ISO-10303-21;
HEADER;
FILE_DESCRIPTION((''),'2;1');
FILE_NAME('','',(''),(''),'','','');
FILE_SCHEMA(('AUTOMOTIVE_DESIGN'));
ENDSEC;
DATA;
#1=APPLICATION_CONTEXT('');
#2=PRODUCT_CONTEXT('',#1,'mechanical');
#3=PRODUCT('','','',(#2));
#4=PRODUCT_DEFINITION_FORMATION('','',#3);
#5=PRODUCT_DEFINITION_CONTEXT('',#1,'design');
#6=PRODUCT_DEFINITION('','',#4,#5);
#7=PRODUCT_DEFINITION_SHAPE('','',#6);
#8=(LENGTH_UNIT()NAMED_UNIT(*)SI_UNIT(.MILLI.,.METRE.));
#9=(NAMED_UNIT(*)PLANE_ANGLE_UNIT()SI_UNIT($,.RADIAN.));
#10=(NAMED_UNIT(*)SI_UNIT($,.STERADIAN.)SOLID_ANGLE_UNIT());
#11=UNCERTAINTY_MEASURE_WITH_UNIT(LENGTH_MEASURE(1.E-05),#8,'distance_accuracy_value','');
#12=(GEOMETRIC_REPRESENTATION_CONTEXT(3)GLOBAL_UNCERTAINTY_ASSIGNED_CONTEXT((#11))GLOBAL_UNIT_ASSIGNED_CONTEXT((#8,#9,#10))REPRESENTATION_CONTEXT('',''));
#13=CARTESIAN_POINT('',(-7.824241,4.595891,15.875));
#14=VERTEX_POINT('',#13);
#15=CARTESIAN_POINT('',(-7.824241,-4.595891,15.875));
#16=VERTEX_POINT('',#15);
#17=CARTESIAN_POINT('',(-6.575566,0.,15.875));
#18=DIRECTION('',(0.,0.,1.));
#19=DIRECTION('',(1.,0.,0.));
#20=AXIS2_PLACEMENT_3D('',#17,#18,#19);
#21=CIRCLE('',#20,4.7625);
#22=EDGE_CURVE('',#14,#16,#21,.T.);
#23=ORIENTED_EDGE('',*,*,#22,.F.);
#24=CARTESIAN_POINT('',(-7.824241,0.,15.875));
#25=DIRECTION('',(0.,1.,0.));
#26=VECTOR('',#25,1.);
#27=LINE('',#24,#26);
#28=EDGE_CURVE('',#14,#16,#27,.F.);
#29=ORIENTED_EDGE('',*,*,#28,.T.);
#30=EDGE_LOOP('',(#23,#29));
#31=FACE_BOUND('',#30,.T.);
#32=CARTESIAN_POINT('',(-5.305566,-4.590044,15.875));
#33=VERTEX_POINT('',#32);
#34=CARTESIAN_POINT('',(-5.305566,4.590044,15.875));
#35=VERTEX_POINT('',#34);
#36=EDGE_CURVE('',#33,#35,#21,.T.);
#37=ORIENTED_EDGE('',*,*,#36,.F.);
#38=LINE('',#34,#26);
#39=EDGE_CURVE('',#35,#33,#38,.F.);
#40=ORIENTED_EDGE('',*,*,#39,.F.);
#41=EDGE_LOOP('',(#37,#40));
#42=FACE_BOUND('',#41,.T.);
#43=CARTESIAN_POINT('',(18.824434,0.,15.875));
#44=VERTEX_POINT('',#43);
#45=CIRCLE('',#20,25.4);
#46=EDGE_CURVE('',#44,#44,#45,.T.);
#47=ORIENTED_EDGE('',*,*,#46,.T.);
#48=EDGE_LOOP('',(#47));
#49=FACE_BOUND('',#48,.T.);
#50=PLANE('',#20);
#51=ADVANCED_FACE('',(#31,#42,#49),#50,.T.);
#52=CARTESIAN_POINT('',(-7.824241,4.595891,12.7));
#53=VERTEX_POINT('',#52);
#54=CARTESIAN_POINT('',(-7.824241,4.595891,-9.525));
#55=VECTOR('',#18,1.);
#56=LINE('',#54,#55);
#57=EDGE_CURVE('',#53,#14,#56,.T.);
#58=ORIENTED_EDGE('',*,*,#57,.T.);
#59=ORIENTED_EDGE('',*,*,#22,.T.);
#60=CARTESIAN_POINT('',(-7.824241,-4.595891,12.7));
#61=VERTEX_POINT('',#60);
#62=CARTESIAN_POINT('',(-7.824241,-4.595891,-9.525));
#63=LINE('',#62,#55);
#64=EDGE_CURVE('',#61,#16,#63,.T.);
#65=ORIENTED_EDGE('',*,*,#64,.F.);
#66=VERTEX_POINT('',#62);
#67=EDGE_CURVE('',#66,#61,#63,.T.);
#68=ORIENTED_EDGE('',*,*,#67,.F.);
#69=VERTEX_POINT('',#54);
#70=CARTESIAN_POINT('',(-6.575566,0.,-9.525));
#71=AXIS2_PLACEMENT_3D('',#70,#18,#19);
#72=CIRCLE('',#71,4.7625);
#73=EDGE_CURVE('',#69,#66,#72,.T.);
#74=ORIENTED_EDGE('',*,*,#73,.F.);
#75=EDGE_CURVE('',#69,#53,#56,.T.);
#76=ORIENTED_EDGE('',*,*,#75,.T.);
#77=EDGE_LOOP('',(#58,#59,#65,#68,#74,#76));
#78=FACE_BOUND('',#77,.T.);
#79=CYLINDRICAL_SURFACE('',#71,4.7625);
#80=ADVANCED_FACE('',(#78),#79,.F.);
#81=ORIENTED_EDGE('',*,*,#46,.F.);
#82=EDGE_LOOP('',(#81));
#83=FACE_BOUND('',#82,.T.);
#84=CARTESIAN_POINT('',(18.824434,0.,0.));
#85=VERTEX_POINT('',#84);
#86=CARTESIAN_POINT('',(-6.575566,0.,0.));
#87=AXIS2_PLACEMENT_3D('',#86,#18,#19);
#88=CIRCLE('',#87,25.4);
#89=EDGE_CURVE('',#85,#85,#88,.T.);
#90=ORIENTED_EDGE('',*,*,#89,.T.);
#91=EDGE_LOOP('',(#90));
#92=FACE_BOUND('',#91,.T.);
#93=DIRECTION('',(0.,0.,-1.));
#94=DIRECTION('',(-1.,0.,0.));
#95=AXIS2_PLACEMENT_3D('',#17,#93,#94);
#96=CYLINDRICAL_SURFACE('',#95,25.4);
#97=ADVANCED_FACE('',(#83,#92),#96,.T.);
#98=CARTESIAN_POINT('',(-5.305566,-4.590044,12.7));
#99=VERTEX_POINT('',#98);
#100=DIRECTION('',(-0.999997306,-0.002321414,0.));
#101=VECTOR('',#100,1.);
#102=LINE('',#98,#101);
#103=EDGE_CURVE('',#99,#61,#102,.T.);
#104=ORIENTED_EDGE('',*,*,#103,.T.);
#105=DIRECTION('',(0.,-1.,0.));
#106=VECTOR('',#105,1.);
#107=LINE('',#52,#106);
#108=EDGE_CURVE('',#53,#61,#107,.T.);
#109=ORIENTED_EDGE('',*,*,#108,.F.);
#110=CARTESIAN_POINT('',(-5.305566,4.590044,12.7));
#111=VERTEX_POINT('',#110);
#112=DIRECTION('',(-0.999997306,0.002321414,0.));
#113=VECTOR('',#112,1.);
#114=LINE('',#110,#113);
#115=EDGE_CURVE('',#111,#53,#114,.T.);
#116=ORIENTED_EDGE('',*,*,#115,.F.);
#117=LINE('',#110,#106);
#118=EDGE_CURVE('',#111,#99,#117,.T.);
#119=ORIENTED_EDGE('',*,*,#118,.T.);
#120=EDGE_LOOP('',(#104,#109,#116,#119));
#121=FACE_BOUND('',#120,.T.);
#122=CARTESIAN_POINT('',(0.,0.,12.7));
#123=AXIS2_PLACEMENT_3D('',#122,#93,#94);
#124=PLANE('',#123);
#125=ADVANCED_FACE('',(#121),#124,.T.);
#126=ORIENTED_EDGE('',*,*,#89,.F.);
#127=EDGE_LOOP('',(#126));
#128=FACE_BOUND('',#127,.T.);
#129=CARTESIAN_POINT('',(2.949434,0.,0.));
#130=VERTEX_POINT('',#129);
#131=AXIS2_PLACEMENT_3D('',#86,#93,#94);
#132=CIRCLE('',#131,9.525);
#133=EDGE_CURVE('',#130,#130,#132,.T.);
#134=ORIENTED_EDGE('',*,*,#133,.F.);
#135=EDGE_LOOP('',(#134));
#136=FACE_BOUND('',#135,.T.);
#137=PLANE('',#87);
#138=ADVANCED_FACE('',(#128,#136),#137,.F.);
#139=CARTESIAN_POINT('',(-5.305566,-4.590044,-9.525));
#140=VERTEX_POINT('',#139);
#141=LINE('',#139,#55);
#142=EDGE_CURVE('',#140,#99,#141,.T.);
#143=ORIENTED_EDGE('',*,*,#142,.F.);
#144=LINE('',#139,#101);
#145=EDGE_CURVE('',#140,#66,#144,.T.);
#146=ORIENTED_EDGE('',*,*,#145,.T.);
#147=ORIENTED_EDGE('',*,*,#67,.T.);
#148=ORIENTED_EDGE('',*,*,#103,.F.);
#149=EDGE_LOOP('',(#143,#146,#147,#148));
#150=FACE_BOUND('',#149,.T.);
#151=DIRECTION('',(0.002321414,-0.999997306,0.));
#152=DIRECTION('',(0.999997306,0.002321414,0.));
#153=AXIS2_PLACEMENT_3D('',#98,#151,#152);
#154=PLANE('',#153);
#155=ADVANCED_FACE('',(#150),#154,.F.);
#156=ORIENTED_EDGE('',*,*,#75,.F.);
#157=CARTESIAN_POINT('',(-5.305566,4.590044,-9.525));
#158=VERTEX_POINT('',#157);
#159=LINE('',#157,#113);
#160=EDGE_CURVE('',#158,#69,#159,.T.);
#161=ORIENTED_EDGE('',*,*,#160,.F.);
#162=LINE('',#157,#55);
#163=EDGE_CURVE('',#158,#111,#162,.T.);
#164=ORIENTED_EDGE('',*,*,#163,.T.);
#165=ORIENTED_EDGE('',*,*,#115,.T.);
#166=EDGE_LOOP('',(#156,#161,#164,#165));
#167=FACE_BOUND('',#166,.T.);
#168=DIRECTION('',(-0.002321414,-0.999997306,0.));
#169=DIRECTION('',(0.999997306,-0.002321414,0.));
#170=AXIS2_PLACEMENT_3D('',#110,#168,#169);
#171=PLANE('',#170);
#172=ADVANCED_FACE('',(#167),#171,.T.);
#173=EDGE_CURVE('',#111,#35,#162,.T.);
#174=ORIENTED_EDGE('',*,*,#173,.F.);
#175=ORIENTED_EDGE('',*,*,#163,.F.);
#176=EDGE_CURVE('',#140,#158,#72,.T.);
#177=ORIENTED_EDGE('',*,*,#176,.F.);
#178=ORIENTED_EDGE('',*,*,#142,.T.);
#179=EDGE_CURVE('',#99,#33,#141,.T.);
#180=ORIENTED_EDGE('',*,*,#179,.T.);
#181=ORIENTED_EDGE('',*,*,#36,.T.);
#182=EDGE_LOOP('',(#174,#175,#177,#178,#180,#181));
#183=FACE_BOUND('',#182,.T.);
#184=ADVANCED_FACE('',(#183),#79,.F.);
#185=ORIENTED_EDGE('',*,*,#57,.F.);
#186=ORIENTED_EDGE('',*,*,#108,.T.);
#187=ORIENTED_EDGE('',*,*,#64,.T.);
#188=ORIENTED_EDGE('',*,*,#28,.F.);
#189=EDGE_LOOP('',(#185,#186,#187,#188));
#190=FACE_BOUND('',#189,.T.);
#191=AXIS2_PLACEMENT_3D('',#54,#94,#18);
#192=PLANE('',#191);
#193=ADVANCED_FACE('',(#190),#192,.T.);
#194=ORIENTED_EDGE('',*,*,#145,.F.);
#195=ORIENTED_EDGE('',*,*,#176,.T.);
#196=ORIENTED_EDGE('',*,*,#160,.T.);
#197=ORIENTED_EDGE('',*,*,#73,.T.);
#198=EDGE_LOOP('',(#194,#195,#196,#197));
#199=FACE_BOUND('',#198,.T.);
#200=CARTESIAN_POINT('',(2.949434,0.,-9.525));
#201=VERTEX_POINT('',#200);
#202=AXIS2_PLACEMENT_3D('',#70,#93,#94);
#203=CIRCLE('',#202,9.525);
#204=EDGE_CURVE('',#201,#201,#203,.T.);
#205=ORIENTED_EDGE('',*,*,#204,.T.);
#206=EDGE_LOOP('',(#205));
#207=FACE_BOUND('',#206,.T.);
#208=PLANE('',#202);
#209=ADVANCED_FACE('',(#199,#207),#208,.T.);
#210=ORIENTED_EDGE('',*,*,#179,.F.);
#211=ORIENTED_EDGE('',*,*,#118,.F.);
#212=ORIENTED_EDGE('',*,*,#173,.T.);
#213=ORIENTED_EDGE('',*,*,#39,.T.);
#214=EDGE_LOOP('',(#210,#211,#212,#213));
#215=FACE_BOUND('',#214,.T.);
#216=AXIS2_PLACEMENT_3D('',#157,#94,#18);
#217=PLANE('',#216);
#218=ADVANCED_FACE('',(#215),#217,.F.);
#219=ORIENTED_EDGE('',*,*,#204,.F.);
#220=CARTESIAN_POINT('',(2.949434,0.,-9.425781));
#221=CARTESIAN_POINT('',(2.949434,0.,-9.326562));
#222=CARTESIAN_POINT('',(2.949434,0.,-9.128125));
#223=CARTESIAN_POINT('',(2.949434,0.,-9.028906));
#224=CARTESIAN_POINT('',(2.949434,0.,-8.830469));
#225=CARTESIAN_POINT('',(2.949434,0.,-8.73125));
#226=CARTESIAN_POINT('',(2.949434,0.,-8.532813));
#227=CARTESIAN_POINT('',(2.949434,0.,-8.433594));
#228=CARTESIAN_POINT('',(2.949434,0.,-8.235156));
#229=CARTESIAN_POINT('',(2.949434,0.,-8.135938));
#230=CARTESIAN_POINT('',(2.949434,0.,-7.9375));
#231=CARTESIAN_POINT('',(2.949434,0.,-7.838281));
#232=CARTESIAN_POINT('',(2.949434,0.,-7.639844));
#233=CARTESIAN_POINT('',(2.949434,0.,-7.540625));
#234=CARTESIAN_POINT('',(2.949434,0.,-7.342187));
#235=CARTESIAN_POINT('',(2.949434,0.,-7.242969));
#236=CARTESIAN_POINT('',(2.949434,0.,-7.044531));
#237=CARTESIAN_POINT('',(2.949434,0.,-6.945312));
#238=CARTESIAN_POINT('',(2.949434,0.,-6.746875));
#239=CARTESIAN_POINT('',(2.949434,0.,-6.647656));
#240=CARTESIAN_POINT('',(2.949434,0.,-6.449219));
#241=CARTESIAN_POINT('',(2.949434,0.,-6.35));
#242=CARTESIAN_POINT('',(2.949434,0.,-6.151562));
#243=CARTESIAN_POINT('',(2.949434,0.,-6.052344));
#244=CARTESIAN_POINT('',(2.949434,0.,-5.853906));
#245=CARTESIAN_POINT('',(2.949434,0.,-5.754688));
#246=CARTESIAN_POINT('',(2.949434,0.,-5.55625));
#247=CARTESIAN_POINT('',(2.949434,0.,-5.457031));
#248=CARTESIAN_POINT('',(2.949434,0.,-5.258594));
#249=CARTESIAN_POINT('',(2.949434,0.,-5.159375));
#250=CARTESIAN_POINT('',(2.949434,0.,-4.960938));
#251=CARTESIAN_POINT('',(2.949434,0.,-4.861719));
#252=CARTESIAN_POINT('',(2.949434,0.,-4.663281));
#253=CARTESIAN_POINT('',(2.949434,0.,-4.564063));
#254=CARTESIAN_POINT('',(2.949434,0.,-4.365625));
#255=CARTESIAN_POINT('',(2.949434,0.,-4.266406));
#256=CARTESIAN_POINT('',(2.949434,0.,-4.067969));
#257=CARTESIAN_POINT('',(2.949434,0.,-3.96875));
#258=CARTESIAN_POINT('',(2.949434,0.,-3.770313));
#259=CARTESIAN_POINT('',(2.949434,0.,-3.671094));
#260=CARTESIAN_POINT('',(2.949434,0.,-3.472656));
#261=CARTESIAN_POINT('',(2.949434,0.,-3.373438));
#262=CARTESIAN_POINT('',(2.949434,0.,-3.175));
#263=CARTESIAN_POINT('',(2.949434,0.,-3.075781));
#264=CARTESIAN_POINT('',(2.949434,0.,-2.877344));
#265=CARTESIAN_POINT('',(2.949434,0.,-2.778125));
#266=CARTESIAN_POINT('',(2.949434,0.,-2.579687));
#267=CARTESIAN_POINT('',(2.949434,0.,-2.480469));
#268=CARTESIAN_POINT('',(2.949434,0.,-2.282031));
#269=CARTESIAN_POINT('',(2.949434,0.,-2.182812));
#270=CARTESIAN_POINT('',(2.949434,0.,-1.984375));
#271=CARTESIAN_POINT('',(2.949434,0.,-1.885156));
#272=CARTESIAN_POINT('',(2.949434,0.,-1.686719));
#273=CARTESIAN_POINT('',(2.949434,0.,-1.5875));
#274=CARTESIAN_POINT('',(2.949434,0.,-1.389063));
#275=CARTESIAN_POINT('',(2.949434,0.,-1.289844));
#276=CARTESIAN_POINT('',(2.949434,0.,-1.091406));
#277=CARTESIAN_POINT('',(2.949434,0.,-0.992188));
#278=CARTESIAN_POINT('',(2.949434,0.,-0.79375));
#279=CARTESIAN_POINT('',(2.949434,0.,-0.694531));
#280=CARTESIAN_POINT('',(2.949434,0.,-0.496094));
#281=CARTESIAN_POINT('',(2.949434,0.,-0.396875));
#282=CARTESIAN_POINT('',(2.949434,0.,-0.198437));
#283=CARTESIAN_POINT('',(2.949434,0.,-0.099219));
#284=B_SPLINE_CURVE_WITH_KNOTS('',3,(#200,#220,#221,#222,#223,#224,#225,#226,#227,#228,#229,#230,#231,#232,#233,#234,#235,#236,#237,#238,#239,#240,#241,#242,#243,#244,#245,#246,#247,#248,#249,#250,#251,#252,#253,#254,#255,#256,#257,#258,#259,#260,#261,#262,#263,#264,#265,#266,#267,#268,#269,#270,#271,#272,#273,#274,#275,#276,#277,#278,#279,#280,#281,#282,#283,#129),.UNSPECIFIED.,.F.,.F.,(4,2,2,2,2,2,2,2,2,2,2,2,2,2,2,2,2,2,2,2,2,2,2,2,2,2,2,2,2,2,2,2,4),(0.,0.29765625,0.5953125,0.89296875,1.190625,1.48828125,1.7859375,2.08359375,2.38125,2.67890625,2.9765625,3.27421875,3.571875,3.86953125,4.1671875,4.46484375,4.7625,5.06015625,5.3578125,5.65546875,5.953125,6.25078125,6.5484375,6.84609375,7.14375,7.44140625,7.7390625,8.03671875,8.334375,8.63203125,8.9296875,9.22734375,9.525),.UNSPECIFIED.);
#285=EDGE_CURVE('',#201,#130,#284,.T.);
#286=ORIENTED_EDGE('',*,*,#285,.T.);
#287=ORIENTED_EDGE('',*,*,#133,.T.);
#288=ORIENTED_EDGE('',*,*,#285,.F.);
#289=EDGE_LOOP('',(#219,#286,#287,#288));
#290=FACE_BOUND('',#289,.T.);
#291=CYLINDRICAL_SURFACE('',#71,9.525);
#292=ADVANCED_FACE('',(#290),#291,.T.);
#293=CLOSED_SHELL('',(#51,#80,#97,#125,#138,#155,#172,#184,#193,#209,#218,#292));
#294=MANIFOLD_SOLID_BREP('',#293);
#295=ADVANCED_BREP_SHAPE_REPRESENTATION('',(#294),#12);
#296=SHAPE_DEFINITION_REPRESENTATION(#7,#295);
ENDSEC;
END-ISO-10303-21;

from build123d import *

# Parameters (mm, degrees)
SKETCH1_R               = 25.4
BOSS_EXTRUDE1_DEPTH     = 15.875
SKETCH6_R               = 9.525
BOSS_EXTRUDE3_DEPTH     = 9.525
CUT_EXTRUDE3_DEPTH      = 49.09113031
CUT_EXTRUDE3_DEPTH_BACK = 49.09113031
CUT_EXTRUDE5_DEPTH      = 22.225


with BuildPart() as part:
    # Sketch1 → Boss-Extrude1 (new body)
    with BuildSketch(Plane.XY):
        with Locations((-6.575565897, 0)):
            Circle(SKETCH1_R)
    extrude(amount=BOSS_EXTRUDE1_DEPTH)

    # Sketch6 → Boss-Extrude3 (add)
    with BuildSketch(Plane(origin=(0, 0, 0), x_dir=(-1, 0, 0), z_dir=(0, 0, -1))):
        with Locations(Location((6.575565897, 0, 0), (0, 0, 180))):
            Circle(SKETCH6_R)
    extrude(amount=BOSS_EXTRUDE3_DEPTH)

    # Sketch2 → Cut-Extrude3 (cut, two sides: drawn at the far end of the back side and taken through both)
    with BuildSketch(Plane.XY.offset(15.875).offset(-CUT_EXTRUDE3_DEPTH_BACK)):
        with BuildLine():
            Line((-7.824241479, 4.595891159), (-7.824241479, -4.595891159))
            ThreePointArc((-7.824241479, -4.595891159), (-11.338065897, 0), (-7.824241479, 4.595891159))
        make_face()
        with BuildLine():
            Line((-5.305565897, 4.590044254), (-5.305565897, -4.590044254))
            ThreePointArc((-5.305565897, -4.590044254), (-1.813065897, 0), (-5.305565897, 4.590044254))
        make_face()
    extrude(amount=CUT_EXTRUDE3_DEPTH + CUT_EXTRUDE3_DEPTH_BACK, mode=Mode.SUBTRACT)

    # Sketch10 → Cut-Extrude5 (cut)
    with BuildSketch(Plane(origin=(0, 0, -9.525), x_dir=(-1, 0, 0), z_dir=(0, 0, -1))):
        Polygon((5.305565897, 4.590044254), (5.305565897, -4.590044254), (7.824241479, -4.595891159), (7.824241479, 4.595891159), align=None)
    extrude(amount=-CUT_EXTRUDE5_DEPTH, mode=Mode.SUBTRACT)


solid = part.part
